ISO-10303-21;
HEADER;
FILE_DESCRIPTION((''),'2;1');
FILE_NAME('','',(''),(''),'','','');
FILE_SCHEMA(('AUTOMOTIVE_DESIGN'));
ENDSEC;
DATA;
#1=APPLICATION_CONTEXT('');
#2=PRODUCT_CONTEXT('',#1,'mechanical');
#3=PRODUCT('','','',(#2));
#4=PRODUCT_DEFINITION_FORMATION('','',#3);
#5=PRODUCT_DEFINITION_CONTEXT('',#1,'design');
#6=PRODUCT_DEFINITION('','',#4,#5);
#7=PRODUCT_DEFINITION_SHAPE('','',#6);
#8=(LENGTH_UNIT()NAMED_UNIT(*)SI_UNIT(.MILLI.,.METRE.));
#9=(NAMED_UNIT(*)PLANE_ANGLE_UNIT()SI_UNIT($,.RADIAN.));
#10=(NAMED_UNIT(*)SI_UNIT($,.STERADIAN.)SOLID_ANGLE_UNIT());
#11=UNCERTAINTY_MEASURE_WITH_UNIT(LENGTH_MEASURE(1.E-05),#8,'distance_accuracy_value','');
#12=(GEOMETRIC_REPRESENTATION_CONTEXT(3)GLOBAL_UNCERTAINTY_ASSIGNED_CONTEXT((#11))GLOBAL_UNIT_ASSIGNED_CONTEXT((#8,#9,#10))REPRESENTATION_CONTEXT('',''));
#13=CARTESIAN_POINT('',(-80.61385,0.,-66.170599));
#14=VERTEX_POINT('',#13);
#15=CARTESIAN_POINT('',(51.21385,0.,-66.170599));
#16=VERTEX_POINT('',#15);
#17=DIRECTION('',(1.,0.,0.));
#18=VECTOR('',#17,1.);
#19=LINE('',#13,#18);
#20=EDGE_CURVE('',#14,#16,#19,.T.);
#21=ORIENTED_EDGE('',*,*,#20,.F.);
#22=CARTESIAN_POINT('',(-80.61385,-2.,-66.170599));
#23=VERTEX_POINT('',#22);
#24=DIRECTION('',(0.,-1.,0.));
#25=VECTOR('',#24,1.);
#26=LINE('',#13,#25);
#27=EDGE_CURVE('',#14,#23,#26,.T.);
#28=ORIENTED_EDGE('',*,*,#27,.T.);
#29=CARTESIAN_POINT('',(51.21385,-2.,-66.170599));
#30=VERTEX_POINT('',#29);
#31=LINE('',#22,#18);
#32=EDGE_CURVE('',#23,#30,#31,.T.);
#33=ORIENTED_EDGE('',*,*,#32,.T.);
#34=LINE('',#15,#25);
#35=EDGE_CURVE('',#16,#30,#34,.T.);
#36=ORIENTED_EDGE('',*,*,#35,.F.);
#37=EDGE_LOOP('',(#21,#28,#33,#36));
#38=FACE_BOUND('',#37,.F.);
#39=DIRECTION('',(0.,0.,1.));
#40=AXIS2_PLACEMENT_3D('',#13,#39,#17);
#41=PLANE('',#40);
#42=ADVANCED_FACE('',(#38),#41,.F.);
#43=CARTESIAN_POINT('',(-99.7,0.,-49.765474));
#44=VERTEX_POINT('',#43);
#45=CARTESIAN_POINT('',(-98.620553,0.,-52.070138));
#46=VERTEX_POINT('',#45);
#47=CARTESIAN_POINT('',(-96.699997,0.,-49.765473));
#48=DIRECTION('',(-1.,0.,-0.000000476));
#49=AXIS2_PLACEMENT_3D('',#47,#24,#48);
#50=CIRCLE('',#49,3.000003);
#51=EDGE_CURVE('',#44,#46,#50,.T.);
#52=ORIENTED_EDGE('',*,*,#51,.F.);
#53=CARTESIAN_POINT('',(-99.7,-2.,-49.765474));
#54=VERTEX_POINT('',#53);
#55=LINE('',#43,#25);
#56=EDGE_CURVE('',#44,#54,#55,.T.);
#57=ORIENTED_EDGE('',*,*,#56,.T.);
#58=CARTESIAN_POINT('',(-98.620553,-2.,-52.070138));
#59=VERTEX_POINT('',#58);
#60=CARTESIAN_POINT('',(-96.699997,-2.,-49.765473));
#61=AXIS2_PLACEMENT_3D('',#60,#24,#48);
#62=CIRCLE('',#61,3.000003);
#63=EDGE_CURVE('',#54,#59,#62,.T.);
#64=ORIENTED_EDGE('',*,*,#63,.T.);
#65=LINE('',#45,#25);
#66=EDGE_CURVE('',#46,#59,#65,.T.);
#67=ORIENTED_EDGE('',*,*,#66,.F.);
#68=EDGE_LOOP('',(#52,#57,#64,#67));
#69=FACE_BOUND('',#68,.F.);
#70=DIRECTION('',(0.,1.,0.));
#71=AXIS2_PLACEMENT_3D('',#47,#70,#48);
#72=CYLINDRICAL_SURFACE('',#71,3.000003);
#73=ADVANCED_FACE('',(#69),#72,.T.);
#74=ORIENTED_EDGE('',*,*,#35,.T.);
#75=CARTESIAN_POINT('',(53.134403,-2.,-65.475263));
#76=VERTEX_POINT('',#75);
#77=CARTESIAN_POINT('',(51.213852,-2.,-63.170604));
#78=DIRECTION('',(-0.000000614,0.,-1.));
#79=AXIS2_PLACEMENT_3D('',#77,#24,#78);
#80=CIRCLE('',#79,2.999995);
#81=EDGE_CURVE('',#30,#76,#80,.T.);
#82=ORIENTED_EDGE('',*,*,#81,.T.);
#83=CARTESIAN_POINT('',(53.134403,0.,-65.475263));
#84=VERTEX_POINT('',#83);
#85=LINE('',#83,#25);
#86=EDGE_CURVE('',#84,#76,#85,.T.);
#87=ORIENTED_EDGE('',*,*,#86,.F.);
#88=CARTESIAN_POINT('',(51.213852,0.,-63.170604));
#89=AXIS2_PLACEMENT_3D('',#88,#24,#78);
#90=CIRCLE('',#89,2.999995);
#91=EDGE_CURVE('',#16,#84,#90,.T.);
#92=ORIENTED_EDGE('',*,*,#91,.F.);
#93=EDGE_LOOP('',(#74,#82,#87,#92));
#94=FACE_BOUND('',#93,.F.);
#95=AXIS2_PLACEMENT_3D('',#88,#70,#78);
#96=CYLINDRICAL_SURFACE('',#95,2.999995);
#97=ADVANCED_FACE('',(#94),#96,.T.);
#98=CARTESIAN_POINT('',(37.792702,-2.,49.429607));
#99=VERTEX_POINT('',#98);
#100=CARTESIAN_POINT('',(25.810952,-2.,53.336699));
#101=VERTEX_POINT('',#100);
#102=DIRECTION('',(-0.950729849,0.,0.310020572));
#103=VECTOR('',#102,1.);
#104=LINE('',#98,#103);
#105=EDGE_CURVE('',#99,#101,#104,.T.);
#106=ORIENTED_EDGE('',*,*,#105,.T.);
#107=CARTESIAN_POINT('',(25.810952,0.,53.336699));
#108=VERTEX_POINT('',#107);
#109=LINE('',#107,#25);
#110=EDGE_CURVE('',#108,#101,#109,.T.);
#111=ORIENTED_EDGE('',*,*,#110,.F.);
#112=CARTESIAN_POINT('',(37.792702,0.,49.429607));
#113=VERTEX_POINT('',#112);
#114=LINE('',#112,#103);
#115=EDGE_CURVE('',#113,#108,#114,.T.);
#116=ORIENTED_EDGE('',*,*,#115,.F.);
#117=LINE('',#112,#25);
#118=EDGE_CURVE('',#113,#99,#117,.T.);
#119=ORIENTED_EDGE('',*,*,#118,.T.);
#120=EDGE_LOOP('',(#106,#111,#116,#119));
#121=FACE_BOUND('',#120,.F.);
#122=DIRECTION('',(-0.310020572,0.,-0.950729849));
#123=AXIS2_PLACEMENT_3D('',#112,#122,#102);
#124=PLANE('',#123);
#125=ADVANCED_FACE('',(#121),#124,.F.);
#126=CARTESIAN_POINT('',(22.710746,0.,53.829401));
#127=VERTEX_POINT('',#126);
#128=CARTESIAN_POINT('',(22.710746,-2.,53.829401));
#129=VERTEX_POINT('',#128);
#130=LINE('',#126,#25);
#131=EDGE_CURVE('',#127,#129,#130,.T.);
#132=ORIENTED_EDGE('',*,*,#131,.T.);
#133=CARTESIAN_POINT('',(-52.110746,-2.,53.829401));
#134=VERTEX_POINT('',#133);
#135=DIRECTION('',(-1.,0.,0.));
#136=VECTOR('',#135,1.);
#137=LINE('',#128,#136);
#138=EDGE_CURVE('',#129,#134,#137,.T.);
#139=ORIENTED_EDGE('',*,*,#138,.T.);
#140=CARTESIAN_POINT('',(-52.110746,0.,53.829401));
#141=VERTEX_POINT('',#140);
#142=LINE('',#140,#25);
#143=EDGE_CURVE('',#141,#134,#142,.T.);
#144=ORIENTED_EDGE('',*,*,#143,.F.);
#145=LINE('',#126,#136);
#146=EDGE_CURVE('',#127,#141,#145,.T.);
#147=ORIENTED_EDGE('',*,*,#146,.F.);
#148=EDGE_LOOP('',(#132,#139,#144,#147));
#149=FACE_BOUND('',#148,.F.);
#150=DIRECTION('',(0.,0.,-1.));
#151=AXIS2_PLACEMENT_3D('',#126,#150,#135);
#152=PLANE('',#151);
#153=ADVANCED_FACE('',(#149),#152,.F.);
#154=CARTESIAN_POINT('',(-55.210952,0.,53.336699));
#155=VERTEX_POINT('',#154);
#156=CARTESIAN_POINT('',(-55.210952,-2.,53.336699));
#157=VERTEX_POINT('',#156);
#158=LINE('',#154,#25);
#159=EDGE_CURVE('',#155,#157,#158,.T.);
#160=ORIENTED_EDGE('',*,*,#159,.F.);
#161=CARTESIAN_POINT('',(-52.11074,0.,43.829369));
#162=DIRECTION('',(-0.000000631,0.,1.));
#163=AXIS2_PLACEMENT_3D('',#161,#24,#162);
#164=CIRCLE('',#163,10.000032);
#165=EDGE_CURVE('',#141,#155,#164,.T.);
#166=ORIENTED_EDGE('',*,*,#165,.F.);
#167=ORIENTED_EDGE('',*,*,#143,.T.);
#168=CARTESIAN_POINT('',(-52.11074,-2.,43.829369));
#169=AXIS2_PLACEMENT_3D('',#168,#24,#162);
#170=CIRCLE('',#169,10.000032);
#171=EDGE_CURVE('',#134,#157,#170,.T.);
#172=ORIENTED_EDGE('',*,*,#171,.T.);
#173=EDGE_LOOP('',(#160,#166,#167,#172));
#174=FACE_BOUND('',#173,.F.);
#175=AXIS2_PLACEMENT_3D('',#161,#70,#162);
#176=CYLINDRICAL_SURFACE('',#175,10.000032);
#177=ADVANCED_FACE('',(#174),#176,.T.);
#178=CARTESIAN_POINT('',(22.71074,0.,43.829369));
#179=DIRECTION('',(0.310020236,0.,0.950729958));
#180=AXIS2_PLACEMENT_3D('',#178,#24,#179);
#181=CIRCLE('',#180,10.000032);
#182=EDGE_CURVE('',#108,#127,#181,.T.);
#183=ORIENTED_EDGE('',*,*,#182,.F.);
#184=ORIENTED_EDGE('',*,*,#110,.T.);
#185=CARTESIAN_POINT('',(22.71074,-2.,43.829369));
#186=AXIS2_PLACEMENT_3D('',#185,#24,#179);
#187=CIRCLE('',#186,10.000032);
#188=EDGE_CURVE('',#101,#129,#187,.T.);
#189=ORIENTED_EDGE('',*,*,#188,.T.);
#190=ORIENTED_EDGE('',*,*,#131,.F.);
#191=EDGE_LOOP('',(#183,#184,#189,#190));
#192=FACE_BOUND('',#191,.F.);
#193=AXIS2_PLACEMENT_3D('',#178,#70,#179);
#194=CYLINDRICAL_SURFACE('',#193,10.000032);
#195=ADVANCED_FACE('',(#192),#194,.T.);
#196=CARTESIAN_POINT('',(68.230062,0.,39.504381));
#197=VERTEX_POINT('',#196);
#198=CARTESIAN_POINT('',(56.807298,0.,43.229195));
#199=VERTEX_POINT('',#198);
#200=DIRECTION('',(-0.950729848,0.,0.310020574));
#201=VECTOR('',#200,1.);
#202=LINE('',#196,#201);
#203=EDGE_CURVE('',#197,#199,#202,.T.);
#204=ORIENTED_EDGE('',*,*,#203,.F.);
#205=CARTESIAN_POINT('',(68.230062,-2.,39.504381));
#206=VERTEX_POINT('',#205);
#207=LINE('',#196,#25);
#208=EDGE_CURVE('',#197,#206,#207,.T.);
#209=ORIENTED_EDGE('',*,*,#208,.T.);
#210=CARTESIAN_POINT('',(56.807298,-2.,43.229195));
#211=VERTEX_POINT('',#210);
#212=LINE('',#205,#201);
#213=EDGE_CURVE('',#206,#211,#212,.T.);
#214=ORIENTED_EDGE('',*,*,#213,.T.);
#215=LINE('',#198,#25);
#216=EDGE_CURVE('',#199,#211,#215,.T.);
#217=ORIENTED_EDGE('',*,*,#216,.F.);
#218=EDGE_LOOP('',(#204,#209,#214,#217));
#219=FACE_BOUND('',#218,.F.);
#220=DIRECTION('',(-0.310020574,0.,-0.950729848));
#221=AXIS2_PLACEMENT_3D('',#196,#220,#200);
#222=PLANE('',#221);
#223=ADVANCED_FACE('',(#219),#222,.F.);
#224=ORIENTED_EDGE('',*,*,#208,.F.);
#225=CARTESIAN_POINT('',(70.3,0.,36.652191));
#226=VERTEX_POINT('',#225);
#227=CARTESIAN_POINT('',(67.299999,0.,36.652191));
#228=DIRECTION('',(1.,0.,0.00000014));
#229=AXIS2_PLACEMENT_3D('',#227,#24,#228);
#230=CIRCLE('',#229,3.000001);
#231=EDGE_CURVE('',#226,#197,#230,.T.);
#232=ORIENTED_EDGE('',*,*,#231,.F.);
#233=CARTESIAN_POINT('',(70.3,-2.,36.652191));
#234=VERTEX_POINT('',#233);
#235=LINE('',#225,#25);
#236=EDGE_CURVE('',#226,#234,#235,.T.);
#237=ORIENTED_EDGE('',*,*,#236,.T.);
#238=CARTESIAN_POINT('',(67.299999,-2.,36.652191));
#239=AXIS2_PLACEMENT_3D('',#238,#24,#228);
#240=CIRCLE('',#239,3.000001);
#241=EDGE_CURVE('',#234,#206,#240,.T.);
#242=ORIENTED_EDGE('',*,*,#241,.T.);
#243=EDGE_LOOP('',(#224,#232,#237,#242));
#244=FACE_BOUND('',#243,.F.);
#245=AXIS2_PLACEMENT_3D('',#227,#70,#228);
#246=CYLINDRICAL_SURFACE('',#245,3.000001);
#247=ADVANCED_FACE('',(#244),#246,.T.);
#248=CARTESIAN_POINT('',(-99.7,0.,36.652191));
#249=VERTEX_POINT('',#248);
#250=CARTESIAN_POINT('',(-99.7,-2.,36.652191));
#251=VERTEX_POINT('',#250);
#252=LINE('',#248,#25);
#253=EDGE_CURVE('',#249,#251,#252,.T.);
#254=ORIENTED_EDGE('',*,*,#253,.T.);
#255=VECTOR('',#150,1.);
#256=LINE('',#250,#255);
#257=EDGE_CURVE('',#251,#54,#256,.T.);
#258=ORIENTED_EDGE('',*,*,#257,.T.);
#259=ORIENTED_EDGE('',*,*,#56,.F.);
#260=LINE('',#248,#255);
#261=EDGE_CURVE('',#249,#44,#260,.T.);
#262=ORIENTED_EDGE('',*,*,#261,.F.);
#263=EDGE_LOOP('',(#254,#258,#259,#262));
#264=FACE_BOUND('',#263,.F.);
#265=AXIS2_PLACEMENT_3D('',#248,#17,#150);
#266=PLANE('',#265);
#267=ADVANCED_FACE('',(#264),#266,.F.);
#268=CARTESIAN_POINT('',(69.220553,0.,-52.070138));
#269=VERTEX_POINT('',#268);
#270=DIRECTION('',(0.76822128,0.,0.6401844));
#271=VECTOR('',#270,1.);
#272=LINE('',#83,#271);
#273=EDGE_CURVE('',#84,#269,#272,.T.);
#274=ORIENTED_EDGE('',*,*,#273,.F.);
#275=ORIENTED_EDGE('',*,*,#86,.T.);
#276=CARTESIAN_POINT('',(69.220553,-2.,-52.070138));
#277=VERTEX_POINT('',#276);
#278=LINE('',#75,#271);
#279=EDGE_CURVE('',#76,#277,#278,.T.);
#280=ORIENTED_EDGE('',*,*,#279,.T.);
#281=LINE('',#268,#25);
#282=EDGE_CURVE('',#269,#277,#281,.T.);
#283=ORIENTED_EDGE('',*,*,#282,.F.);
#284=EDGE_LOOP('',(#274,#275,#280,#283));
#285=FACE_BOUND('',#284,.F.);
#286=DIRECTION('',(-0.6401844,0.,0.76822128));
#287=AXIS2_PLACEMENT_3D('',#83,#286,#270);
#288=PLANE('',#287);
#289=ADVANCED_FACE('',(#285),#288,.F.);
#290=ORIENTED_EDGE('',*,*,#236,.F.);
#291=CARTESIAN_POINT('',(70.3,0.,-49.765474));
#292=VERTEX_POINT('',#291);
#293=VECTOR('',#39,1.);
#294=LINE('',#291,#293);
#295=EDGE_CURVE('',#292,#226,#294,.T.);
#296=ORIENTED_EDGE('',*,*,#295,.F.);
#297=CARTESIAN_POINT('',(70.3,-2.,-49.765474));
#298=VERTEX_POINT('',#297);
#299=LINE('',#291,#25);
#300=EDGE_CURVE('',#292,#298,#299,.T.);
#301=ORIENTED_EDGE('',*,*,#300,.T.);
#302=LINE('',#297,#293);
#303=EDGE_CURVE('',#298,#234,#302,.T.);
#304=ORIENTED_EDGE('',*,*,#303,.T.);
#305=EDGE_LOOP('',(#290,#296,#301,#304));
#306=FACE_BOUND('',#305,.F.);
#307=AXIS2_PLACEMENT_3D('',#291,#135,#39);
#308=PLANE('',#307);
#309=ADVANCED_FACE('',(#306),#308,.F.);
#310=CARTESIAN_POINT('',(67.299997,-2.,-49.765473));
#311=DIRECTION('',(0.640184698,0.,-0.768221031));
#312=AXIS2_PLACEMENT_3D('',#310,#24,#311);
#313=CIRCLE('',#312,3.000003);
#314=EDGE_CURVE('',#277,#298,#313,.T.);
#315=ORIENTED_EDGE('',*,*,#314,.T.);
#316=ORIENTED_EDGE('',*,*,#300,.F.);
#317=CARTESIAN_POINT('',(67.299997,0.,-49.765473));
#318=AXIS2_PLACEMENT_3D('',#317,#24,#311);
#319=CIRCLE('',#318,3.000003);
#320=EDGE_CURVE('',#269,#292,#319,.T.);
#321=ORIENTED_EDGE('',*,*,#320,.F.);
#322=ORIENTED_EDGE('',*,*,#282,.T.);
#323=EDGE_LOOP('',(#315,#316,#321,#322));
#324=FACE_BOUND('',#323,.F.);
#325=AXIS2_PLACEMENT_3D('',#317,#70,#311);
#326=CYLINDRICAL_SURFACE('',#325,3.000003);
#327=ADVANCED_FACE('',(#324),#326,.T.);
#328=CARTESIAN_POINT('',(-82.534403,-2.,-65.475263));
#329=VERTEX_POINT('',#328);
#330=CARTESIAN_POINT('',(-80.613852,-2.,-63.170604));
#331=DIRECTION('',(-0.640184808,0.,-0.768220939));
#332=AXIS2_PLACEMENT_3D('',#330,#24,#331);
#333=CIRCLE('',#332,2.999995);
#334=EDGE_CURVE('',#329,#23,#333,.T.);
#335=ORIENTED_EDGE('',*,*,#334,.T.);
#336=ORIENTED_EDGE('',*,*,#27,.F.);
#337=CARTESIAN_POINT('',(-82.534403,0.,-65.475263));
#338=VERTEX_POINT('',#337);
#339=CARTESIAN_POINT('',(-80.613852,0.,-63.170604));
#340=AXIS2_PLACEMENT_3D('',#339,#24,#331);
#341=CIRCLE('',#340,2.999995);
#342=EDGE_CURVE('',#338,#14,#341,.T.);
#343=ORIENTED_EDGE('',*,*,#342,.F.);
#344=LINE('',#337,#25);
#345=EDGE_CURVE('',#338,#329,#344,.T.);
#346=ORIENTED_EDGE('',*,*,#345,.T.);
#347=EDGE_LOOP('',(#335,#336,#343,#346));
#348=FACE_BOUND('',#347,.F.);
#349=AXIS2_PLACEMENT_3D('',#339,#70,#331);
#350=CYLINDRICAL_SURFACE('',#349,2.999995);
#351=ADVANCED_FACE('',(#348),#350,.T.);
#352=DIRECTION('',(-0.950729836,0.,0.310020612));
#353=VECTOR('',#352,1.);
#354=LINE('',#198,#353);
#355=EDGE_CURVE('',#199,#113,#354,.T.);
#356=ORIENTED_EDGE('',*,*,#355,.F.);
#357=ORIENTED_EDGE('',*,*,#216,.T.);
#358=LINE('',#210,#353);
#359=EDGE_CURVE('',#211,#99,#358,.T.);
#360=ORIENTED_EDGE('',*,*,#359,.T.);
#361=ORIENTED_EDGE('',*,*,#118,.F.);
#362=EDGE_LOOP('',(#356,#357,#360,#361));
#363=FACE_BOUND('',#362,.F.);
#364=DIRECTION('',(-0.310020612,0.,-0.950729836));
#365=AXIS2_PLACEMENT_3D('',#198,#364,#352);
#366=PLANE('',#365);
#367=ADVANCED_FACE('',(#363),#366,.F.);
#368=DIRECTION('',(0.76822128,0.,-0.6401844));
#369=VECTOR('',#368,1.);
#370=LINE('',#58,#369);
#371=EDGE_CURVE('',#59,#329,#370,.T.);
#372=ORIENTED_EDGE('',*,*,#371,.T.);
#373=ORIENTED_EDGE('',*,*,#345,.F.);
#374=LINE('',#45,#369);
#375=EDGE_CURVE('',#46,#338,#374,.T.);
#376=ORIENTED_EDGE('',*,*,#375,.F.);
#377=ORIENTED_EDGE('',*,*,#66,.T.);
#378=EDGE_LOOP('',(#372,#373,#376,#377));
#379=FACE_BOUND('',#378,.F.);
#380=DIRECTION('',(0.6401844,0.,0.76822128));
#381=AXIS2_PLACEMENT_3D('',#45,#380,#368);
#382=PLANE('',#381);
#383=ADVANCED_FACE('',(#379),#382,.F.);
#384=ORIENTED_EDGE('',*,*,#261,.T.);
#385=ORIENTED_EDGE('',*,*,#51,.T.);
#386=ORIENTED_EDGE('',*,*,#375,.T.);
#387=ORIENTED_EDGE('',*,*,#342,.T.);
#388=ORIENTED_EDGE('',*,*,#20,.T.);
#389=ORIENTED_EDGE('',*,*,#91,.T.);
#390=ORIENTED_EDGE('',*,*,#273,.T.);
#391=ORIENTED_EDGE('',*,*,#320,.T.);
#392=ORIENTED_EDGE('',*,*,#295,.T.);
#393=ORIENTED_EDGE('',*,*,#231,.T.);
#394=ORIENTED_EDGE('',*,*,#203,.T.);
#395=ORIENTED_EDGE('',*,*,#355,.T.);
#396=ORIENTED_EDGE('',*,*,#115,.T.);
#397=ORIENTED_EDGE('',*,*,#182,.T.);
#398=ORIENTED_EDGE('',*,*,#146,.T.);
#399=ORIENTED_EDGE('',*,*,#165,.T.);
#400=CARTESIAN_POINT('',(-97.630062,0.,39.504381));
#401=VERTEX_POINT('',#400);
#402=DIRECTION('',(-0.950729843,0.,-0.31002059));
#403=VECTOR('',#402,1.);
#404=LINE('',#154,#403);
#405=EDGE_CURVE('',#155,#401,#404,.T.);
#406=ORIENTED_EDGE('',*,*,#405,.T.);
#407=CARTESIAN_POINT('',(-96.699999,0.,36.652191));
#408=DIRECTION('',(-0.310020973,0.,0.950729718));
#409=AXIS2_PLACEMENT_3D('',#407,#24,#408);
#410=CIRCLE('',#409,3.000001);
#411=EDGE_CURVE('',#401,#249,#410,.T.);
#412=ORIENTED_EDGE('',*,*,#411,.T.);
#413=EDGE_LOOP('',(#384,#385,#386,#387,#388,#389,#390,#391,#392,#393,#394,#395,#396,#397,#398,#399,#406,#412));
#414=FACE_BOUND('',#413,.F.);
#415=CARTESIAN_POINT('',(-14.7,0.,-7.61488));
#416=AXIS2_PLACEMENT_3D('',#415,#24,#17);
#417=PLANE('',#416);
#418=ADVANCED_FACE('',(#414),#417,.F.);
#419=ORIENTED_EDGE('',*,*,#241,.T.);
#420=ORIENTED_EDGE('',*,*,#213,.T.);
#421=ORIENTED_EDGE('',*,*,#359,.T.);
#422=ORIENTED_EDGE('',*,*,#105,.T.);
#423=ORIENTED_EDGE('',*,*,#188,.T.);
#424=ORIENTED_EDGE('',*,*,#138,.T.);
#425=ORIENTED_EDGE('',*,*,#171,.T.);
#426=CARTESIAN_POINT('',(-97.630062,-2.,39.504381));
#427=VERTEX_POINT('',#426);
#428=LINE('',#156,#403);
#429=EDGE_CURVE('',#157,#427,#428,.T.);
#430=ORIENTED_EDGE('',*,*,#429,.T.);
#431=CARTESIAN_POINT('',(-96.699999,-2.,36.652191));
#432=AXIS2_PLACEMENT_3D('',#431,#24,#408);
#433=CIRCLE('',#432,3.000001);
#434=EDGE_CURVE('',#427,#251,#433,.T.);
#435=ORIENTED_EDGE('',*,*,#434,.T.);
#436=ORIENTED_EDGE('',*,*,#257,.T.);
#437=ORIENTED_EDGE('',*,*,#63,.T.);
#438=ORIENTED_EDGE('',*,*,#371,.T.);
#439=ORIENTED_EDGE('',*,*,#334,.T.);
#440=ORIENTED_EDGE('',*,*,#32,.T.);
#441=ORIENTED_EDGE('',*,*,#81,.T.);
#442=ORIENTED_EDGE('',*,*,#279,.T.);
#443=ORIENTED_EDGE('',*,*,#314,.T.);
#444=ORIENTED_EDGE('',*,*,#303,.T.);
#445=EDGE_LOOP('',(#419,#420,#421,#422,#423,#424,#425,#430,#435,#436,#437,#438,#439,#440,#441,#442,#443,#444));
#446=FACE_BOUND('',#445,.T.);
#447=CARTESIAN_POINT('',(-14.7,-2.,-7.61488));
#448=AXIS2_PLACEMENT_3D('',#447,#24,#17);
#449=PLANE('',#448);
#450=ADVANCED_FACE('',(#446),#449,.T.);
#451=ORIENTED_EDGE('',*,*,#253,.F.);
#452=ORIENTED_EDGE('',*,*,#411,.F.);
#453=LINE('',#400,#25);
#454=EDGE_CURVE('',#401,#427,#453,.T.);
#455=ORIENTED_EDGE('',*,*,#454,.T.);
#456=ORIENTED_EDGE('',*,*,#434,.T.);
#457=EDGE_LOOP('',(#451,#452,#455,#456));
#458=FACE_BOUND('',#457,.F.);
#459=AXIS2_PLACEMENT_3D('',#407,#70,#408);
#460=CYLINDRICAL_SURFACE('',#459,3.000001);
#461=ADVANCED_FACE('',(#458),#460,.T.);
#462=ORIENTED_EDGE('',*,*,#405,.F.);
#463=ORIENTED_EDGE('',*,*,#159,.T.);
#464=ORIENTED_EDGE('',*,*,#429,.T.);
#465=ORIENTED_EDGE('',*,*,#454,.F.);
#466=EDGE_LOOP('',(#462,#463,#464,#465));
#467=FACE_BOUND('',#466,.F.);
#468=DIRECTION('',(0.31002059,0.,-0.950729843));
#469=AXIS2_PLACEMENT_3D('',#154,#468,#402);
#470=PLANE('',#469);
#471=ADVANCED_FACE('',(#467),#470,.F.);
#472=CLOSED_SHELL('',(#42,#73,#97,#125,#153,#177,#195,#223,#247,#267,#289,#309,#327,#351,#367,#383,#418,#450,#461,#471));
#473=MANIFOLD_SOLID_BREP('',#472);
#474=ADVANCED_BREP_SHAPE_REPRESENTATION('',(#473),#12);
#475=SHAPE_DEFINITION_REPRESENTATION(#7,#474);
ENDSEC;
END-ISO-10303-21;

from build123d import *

# Parameters (mm, degrees)
F1_DEPTH = 2


with BuildPart() as f1:
    # F0 (on Front) → F1 (new body)
    with BuildSketch(Plane.XZ):
        with BuildLine():
            ThreePointArc((69.220553, -52.070138), (70.016768, -51.03794), (70.3, -49.765474))
            Line((70.3, -49.765474), (70.3, -31.170599))
            Line((70.3, -31.170599), (70.3, 36.652191))
            ThreePointArc((70.3, 36.652191), (69.727981, 38.414266), (68.230062, 39.504381))
            Line((68.230062, 39.504381), (56.807298, 43.229195))
            Line((56.807298, 43.229195), (37.792702, 49.429607))
            Line((37.792702, 49.429607), (25.810952, 53.336699))
            ThreePointArc((25.810952, 53.336699), (24.280302, 53.705457), (22.710746, 53.829401))
            Line((22.710746, 53.829401), (-52.110746, 53.829401))
            ThreePointArc((-52.110746, 53.829401), (-53.680302, 53.705457), (-55.210952, 53.336699))
            Line((-55.210952, 53.336699), (-97.630062, 39.504381))
            ThreePointArc((-97.630062, 39.504381), (-99.127981, 38.414266), (-99.7, 36.652191))
            Line((-99.7, 36.652191), (-99.7, -49.765474))
            ThreePointArc((-99.7, -49.765474), (-99.416768, -51.03794), (-98.620553, -52.070138))
            Line((-98.620553, -52.070138), (-82.534403, -65.475263))
            ThreePointArc((-82.534403, -65.475263), (-81.635126, -65.991414), (-80.61385, -66.170599))
            Line((-80.61385, -66.170599), (51.21385, -66.170599))
            ThreePointArc((51.21385, -66.170599), (52.235126, -65.991414), (53.134403, -65.475263))
            Line((53.134403, -65.475263), (69.220553, -52.070138))
        make_face()
    extrude(amount=F1_DEPTH)


solid = f1.part
